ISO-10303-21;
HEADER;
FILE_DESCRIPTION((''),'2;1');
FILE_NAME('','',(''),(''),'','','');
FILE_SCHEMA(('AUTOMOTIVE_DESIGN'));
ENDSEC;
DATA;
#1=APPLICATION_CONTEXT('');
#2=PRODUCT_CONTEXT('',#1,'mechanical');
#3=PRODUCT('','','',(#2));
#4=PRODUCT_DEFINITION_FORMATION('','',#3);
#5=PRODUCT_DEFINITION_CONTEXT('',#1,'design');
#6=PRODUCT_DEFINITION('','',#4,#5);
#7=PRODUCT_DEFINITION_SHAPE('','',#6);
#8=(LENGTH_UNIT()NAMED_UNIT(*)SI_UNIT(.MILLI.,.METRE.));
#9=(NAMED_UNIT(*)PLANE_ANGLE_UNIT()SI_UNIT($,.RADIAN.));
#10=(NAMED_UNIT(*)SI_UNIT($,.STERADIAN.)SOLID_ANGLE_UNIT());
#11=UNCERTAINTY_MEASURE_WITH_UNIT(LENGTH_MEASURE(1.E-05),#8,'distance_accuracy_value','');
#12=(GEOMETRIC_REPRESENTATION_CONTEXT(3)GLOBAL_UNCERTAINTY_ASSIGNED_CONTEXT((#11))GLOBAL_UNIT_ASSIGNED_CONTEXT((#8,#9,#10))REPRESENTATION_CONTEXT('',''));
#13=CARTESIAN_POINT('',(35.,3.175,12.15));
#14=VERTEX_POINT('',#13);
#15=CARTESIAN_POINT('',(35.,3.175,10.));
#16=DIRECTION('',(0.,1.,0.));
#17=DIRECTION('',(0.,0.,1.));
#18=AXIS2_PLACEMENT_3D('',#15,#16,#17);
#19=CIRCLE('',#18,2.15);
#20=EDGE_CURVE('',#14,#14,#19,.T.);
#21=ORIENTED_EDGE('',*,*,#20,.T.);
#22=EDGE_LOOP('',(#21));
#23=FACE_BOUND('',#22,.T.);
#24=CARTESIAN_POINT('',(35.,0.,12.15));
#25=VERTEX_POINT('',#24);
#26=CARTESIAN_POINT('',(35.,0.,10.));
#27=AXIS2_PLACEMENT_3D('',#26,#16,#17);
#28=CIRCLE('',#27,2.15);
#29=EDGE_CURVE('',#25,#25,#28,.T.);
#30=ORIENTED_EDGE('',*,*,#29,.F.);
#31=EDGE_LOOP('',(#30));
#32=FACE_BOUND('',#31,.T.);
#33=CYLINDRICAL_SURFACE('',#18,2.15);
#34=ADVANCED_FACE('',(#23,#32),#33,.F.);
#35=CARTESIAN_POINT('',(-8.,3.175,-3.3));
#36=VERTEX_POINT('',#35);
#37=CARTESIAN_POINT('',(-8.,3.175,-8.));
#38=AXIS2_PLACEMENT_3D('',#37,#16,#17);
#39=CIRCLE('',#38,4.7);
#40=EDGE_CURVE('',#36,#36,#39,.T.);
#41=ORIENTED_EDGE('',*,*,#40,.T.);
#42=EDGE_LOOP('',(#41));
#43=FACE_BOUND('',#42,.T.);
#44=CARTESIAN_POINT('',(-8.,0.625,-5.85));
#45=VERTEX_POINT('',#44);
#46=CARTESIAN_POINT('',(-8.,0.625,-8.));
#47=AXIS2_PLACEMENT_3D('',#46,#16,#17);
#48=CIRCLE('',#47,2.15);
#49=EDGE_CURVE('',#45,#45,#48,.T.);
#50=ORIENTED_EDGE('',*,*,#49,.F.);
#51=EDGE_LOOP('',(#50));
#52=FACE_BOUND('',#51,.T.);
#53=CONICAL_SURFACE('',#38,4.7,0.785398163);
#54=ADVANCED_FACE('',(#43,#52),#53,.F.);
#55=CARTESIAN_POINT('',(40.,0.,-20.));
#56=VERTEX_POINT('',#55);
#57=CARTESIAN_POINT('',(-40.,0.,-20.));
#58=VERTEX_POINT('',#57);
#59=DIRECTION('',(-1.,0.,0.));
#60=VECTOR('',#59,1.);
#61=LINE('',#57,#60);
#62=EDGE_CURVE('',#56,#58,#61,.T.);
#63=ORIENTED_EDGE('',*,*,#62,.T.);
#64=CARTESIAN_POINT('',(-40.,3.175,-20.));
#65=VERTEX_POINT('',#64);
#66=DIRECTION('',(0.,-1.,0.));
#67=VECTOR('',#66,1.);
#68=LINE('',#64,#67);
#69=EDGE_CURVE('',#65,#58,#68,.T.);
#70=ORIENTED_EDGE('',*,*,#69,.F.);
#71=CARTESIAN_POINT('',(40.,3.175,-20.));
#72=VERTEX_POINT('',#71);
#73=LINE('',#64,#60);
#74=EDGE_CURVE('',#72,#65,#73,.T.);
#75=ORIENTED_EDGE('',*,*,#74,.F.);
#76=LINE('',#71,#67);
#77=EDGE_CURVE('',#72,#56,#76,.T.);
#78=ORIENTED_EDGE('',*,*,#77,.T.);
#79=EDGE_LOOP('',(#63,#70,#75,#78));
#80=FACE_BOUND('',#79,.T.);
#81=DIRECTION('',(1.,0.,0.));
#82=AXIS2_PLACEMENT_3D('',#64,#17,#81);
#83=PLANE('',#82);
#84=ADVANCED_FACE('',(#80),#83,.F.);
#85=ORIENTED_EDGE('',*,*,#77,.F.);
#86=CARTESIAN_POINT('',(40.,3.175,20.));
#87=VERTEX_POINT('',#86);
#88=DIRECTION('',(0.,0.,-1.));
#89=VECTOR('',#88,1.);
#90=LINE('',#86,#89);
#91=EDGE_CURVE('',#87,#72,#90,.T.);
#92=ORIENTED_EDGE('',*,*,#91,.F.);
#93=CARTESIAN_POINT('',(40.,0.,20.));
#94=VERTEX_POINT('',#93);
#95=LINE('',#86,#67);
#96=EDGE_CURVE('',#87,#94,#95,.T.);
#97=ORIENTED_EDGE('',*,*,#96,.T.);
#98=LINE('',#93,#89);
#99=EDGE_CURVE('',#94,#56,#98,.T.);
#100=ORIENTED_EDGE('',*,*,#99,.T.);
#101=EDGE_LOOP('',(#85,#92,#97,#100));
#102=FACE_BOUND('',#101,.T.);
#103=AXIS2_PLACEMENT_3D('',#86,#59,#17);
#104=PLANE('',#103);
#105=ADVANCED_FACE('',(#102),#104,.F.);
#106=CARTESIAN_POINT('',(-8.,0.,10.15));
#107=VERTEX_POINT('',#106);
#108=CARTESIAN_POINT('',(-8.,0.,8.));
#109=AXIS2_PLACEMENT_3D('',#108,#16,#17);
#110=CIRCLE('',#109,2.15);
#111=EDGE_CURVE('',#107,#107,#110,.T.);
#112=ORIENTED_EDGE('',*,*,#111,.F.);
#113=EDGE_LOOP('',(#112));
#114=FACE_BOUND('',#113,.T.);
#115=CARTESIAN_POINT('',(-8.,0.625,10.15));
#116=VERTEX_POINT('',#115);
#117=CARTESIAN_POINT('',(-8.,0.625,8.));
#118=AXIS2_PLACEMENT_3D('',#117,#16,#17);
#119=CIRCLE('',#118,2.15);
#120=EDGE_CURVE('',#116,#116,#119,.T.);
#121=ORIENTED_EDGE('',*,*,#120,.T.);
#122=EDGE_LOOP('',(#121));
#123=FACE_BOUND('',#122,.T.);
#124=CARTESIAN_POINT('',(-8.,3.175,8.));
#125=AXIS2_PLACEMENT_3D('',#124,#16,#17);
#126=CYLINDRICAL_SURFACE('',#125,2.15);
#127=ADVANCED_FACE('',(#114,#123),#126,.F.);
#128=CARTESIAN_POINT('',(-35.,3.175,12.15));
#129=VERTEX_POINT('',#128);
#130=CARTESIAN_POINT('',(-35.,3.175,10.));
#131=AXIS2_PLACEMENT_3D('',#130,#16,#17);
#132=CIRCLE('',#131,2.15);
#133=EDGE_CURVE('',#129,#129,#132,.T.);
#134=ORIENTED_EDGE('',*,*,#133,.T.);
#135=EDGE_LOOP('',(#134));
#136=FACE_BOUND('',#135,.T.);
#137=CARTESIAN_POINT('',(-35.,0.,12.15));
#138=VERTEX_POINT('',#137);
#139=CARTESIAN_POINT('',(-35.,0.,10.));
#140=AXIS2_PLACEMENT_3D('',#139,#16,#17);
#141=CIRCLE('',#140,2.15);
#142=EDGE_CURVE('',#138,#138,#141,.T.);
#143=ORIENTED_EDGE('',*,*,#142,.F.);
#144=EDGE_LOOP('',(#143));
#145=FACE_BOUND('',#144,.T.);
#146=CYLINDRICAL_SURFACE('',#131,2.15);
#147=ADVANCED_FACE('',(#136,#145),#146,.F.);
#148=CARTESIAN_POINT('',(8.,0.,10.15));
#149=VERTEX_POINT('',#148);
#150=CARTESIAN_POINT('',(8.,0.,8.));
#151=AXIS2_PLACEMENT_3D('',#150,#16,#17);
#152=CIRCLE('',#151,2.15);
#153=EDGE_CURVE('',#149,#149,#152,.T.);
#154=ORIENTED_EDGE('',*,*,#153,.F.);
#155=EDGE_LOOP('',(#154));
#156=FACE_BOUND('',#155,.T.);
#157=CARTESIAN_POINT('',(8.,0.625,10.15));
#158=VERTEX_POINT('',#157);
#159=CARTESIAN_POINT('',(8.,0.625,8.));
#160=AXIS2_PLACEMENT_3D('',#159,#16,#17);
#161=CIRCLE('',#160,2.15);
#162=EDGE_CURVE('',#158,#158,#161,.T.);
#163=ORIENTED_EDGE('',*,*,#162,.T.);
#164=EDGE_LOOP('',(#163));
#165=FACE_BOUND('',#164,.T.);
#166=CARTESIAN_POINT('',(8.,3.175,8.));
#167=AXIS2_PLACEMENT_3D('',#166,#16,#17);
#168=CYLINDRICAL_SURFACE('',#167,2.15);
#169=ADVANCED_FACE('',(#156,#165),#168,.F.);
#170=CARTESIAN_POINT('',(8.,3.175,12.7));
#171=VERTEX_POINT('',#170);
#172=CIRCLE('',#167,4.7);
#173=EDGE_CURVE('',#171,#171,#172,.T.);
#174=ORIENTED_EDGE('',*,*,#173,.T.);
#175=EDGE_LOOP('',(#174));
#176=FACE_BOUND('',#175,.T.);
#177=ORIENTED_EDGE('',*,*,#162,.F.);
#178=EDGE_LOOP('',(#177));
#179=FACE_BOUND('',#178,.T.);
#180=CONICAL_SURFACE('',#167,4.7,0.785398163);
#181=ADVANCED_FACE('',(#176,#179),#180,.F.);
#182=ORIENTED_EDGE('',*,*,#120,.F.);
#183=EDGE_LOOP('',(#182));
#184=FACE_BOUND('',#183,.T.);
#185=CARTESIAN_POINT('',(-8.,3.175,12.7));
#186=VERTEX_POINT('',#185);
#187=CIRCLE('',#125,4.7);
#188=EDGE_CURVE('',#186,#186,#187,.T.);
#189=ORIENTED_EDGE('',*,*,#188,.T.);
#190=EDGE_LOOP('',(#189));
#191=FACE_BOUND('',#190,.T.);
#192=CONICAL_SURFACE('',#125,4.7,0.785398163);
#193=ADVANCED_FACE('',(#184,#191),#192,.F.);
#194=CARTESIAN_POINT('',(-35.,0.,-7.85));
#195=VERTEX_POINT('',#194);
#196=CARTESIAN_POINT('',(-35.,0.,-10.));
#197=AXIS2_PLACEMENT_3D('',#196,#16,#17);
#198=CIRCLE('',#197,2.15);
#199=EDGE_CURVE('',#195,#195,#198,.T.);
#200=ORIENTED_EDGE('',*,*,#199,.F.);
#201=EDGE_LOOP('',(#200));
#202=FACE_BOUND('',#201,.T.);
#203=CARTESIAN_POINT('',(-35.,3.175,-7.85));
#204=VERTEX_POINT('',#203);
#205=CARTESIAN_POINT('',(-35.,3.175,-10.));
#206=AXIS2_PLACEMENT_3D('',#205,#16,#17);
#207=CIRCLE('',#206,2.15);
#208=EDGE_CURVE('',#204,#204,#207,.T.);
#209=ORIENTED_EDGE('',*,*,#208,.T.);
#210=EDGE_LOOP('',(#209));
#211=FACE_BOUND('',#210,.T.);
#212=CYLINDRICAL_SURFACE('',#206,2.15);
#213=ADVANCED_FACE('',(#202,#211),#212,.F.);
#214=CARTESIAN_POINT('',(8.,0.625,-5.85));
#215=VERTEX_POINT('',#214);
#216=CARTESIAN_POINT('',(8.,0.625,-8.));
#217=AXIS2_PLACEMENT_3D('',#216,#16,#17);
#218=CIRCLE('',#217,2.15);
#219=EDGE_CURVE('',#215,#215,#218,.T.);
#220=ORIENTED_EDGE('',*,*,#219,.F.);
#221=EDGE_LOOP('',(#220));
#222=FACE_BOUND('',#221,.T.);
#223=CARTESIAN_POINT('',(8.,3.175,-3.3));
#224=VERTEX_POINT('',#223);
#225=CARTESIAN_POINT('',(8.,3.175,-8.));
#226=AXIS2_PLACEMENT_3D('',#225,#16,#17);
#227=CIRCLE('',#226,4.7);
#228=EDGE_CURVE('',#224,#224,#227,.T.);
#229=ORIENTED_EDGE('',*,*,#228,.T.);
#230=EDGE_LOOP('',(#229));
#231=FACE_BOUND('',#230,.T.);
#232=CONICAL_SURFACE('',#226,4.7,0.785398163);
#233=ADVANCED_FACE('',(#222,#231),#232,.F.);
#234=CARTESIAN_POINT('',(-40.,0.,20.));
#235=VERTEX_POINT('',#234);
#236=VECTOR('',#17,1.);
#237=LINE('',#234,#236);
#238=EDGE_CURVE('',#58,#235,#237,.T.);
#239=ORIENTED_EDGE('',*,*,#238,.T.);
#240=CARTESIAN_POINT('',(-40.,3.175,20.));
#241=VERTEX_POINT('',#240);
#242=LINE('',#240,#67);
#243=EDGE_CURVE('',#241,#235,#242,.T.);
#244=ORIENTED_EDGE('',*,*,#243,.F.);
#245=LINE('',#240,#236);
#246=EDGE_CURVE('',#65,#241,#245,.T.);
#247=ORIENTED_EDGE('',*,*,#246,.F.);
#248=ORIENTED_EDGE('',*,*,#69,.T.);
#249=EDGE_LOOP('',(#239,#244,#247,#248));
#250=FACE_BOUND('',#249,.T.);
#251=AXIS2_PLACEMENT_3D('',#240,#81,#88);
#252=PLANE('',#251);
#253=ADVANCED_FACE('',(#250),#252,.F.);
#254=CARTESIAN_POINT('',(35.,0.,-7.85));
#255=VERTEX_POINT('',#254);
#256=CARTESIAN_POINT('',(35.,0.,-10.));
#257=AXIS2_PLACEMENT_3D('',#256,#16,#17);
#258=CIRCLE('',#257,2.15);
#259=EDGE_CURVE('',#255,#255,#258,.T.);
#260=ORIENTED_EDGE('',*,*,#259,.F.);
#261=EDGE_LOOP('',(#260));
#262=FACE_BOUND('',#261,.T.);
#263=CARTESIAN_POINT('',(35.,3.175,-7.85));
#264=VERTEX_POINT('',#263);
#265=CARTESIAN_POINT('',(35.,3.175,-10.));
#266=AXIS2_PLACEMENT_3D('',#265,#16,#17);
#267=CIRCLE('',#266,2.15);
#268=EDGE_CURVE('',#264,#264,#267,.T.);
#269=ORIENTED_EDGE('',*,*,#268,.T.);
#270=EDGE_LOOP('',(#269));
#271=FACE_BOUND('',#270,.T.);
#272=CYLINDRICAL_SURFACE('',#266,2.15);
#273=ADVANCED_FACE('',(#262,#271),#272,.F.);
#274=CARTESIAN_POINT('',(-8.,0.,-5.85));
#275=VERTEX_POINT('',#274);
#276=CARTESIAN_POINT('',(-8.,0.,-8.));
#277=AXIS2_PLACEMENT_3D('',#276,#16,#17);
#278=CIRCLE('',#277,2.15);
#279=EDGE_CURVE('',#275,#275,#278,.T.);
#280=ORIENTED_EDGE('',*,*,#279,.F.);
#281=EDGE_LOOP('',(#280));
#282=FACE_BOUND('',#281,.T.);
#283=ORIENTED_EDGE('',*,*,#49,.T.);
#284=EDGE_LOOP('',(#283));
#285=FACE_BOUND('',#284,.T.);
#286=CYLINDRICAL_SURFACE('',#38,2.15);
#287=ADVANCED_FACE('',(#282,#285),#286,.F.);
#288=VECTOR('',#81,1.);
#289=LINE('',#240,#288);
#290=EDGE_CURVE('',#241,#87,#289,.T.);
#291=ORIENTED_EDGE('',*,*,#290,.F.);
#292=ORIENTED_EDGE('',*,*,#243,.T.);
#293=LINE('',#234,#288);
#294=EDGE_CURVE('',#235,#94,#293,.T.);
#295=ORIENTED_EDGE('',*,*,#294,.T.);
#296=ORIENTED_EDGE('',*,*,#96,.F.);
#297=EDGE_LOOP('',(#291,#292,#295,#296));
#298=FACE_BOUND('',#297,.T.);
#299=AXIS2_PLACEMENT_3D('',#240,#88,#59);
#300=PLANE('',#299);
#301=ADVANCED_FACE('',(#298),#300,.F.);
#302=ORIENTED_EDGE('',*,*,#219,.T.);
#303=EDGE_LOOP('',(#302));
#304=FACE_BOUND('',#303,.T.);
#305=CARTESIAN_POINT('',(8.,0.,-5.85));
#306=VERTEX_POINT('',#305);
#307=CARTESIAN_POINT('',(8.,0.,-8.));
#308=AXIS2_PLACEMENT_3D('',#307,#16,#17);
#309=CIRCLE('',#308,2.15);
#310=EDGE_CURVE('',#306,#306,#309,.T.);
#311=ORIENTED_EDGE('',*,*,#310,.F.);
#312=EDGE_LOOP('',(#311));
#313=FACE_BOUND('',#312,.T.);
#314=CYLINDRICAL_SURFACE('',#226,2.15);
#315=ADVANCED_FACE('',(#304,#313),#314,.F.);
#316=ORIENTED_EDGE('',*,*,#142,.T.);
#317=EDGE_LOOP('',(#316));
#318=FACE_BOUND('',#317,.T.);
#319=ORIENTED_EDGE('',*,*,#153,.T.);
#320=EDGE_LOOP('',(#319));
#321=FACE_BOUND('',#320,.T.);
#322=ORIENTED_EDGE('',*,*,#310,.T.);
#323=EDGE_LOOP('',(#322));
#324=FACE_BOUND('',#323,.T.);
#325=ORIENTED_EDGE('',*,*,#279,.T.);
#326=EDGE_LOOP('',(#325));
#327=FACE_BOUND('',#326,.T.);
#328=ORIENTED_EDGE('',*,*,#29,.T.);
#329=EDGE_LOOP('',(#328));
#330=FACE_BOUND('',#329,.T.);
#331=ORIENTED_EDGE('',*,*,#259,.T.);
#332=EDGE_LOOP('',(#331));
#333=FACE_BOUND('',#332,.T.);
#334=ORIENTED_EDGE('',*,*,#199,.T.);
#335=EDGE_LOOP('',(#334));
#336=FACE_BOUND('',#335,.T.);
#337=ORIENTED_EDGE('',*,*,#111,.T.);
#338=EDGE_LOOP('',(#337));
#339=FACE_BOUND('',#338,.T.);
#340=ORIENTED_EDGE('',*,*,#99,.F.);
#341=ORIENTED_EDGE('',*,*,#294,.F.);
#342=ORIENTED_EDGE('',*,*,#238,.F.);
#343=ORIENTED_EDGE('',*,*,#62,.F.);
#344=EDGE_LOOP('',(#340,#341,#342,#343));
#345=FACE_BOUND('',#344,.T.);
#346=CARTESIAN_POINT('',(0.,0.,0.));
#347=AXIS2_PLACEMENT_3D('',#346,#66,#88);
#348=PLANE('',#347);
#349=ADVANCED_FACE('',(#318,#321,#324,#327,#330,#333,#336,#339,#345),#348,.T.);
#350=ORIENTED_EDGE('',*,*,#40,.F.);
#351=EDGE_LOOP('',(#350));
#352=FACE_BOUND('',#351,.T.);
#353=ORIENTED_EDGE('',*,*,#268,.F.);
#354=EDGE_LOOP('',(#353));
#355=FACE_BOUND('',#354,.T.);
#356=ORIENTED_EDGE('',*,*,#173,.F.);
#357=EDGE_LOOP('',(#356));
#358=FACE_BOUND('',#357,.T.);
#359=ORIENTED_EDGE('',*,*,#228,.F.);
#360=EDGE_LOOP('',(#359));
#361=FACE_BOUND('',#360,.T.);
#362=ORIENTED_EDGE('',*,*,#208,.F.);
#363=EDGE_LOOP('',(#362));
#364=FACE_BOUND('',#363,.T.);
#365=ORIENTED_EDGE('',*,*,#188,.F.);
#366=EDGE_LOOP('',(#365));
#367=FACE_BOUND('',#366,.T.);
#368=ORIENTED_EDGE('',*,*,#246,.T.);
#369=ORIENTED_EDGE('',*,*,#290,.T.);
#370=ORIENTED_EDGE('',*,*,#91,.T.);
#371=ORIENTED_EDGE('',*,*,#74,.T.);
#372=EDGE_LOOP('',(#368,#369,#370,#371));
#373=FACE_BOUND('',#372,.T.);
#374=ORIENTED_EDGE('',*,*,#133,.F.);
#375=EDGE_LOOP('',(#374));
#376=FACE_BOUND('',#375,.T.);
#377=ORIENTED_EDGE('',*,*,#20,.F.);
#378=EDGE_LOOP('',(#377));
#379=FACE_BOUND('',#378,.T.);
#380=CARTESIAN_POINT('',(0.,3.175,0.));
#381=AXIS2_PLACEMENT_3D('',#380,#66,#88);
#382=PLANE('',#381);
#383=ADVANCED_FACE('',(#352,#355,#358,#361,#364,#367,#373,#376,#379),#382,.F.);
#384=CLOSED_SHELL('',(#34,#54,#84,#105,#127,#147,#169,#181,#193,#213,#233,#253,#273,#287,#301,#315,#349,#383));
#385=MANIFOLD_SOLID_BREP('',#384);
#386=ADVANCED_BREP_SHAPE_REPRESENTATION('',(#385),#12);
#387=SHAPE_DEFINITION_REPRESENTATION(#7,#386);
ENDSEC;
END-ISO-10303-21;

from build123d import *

# Parameters (mm, degrees)
SKETCH2_W                                      = 80
SKETCH2_H                                      = 40
BOSS_EXTRUDE1_DEPTH                            = 3.175
M4_CLEARANCE_HOLE1_D                           = 4.3
CSK_FOR_M4_FLAT_HEAD_MACHINE_SCREW2_AT_2_COUNT = 2
CSK_FOR_M4_FLAT_HEAD_MACHINE_SCREW2_AT_2_PITCH = 16
CSK_FOR_M4_FLAT_HEAD_MACHINE_SCREW2_AT_3_COUNT = 2
CSK_FOR_M4_FLAT_HEAD_MACHINE_SCREW2_AT_3_PITCH = 22.627416998
CSK_FOR_M4_FLAT_HEAD_MACHINE_SCREW2_AT_4_COUNT = 2
CSK_FOR_M4_FLAT_HEAD_MACHINE_SCREW2_AT_4_PITCH = 16


with BuildPart() as part:
    # Sketch2 → Boss-Extrude1 (new body)
    with BuildSketch(Plane(origin=(0, 0, 0), x_dir=(1, 0, 0), z_dir=(0, 1, 0))):
        Rectangle(SKETCH2_W, SKETCH2_H)
    extrude(amount=BOSS_EXTRUDE1_DEPTH)

    # M4 Clearance Hole1 (through all)
    with Locations(Plane(origin=(0, 3.175, 0), x_dir=(1, 0, 0), z_dir=(0, 1, 0))):
        with Locations((-35, 10), (35, 10), (35, -10), (-35, -10)):
            Hole(M4_CLEARANCE_HOLE1_D / 2)

    # Sketch6 → CSK for M4 Flat Head Machine Screw2 (revolve, cut)
    with BuildSketch(Plane(origin=(-8, 3.175, -8), x_dir=(0, 0, 1), z_dir=(1, 0, 0))):
        Polygon((0, 0), (0, 3.175), (2.15, 3.175), (2.15, 2.55), (4.7, 0), align=None)
    csk_for_m4_flat_head_machine_screw2 = revolve(axis=Axis((-8, 9.525, -8), (0, -1, 0)), mode=Mode.SUBTRACT)

    # CSK for M4 Flat Head Machine Screw2 at 2: CSK for M4 Flat Head Machine Screw2 ×2
    with Locations(*[(i * CSK_FOR_M4_FLAT_HEAD_MACHINE_SCREW2_AT_2_PITCH, 0, 0) for i in range(1, CSK_FOR_M4_FLAT_HEAD_MACHINE_SCREW2_AT_2_COUNT)]):
        add(csk_for_m4_flat_head_machine_screw2, mode=Mode.SUBTRACT)

    # CSK for M4 Flat Head Machine Screw2 at 3: CSK for M4 Flat Head Machine Screw2 ×2
    with Locations(*[Vector(0.707106781186545, 0, 0.70710678118655) * (i * CSK_FOR_M4_FLAT_HEAD_MACHINE_SCREW2_AT_3_PITCH) for i in range(1, CSK_FOR_M4_FLAT_HEAD_MACHINE_SCREW2_AT_3_COUNT)]):
        add(csk_for_m4_flat_head_machine_screw2, mode=Mode.SUBTRACT)

    # CSK for M4 Flat Head Machine Screw2 at 4: CSK for M4 Flat Head Machine Screw2 ×2
    with Locations(*[(0, 0, i * CSK_FOR_M4_FLAT_HEAD_MACHINE_SCREW2_AT_4_PITCH) for i in range(1, CSK_FOR_M4_FLAT_HEAD_MACHINE_SCREW2_AT_4_COUNT)]):
        add(csk_for_m4_flat_head_machine_screw2, mode=Mode.SUBTRACT)


solid = part.part
